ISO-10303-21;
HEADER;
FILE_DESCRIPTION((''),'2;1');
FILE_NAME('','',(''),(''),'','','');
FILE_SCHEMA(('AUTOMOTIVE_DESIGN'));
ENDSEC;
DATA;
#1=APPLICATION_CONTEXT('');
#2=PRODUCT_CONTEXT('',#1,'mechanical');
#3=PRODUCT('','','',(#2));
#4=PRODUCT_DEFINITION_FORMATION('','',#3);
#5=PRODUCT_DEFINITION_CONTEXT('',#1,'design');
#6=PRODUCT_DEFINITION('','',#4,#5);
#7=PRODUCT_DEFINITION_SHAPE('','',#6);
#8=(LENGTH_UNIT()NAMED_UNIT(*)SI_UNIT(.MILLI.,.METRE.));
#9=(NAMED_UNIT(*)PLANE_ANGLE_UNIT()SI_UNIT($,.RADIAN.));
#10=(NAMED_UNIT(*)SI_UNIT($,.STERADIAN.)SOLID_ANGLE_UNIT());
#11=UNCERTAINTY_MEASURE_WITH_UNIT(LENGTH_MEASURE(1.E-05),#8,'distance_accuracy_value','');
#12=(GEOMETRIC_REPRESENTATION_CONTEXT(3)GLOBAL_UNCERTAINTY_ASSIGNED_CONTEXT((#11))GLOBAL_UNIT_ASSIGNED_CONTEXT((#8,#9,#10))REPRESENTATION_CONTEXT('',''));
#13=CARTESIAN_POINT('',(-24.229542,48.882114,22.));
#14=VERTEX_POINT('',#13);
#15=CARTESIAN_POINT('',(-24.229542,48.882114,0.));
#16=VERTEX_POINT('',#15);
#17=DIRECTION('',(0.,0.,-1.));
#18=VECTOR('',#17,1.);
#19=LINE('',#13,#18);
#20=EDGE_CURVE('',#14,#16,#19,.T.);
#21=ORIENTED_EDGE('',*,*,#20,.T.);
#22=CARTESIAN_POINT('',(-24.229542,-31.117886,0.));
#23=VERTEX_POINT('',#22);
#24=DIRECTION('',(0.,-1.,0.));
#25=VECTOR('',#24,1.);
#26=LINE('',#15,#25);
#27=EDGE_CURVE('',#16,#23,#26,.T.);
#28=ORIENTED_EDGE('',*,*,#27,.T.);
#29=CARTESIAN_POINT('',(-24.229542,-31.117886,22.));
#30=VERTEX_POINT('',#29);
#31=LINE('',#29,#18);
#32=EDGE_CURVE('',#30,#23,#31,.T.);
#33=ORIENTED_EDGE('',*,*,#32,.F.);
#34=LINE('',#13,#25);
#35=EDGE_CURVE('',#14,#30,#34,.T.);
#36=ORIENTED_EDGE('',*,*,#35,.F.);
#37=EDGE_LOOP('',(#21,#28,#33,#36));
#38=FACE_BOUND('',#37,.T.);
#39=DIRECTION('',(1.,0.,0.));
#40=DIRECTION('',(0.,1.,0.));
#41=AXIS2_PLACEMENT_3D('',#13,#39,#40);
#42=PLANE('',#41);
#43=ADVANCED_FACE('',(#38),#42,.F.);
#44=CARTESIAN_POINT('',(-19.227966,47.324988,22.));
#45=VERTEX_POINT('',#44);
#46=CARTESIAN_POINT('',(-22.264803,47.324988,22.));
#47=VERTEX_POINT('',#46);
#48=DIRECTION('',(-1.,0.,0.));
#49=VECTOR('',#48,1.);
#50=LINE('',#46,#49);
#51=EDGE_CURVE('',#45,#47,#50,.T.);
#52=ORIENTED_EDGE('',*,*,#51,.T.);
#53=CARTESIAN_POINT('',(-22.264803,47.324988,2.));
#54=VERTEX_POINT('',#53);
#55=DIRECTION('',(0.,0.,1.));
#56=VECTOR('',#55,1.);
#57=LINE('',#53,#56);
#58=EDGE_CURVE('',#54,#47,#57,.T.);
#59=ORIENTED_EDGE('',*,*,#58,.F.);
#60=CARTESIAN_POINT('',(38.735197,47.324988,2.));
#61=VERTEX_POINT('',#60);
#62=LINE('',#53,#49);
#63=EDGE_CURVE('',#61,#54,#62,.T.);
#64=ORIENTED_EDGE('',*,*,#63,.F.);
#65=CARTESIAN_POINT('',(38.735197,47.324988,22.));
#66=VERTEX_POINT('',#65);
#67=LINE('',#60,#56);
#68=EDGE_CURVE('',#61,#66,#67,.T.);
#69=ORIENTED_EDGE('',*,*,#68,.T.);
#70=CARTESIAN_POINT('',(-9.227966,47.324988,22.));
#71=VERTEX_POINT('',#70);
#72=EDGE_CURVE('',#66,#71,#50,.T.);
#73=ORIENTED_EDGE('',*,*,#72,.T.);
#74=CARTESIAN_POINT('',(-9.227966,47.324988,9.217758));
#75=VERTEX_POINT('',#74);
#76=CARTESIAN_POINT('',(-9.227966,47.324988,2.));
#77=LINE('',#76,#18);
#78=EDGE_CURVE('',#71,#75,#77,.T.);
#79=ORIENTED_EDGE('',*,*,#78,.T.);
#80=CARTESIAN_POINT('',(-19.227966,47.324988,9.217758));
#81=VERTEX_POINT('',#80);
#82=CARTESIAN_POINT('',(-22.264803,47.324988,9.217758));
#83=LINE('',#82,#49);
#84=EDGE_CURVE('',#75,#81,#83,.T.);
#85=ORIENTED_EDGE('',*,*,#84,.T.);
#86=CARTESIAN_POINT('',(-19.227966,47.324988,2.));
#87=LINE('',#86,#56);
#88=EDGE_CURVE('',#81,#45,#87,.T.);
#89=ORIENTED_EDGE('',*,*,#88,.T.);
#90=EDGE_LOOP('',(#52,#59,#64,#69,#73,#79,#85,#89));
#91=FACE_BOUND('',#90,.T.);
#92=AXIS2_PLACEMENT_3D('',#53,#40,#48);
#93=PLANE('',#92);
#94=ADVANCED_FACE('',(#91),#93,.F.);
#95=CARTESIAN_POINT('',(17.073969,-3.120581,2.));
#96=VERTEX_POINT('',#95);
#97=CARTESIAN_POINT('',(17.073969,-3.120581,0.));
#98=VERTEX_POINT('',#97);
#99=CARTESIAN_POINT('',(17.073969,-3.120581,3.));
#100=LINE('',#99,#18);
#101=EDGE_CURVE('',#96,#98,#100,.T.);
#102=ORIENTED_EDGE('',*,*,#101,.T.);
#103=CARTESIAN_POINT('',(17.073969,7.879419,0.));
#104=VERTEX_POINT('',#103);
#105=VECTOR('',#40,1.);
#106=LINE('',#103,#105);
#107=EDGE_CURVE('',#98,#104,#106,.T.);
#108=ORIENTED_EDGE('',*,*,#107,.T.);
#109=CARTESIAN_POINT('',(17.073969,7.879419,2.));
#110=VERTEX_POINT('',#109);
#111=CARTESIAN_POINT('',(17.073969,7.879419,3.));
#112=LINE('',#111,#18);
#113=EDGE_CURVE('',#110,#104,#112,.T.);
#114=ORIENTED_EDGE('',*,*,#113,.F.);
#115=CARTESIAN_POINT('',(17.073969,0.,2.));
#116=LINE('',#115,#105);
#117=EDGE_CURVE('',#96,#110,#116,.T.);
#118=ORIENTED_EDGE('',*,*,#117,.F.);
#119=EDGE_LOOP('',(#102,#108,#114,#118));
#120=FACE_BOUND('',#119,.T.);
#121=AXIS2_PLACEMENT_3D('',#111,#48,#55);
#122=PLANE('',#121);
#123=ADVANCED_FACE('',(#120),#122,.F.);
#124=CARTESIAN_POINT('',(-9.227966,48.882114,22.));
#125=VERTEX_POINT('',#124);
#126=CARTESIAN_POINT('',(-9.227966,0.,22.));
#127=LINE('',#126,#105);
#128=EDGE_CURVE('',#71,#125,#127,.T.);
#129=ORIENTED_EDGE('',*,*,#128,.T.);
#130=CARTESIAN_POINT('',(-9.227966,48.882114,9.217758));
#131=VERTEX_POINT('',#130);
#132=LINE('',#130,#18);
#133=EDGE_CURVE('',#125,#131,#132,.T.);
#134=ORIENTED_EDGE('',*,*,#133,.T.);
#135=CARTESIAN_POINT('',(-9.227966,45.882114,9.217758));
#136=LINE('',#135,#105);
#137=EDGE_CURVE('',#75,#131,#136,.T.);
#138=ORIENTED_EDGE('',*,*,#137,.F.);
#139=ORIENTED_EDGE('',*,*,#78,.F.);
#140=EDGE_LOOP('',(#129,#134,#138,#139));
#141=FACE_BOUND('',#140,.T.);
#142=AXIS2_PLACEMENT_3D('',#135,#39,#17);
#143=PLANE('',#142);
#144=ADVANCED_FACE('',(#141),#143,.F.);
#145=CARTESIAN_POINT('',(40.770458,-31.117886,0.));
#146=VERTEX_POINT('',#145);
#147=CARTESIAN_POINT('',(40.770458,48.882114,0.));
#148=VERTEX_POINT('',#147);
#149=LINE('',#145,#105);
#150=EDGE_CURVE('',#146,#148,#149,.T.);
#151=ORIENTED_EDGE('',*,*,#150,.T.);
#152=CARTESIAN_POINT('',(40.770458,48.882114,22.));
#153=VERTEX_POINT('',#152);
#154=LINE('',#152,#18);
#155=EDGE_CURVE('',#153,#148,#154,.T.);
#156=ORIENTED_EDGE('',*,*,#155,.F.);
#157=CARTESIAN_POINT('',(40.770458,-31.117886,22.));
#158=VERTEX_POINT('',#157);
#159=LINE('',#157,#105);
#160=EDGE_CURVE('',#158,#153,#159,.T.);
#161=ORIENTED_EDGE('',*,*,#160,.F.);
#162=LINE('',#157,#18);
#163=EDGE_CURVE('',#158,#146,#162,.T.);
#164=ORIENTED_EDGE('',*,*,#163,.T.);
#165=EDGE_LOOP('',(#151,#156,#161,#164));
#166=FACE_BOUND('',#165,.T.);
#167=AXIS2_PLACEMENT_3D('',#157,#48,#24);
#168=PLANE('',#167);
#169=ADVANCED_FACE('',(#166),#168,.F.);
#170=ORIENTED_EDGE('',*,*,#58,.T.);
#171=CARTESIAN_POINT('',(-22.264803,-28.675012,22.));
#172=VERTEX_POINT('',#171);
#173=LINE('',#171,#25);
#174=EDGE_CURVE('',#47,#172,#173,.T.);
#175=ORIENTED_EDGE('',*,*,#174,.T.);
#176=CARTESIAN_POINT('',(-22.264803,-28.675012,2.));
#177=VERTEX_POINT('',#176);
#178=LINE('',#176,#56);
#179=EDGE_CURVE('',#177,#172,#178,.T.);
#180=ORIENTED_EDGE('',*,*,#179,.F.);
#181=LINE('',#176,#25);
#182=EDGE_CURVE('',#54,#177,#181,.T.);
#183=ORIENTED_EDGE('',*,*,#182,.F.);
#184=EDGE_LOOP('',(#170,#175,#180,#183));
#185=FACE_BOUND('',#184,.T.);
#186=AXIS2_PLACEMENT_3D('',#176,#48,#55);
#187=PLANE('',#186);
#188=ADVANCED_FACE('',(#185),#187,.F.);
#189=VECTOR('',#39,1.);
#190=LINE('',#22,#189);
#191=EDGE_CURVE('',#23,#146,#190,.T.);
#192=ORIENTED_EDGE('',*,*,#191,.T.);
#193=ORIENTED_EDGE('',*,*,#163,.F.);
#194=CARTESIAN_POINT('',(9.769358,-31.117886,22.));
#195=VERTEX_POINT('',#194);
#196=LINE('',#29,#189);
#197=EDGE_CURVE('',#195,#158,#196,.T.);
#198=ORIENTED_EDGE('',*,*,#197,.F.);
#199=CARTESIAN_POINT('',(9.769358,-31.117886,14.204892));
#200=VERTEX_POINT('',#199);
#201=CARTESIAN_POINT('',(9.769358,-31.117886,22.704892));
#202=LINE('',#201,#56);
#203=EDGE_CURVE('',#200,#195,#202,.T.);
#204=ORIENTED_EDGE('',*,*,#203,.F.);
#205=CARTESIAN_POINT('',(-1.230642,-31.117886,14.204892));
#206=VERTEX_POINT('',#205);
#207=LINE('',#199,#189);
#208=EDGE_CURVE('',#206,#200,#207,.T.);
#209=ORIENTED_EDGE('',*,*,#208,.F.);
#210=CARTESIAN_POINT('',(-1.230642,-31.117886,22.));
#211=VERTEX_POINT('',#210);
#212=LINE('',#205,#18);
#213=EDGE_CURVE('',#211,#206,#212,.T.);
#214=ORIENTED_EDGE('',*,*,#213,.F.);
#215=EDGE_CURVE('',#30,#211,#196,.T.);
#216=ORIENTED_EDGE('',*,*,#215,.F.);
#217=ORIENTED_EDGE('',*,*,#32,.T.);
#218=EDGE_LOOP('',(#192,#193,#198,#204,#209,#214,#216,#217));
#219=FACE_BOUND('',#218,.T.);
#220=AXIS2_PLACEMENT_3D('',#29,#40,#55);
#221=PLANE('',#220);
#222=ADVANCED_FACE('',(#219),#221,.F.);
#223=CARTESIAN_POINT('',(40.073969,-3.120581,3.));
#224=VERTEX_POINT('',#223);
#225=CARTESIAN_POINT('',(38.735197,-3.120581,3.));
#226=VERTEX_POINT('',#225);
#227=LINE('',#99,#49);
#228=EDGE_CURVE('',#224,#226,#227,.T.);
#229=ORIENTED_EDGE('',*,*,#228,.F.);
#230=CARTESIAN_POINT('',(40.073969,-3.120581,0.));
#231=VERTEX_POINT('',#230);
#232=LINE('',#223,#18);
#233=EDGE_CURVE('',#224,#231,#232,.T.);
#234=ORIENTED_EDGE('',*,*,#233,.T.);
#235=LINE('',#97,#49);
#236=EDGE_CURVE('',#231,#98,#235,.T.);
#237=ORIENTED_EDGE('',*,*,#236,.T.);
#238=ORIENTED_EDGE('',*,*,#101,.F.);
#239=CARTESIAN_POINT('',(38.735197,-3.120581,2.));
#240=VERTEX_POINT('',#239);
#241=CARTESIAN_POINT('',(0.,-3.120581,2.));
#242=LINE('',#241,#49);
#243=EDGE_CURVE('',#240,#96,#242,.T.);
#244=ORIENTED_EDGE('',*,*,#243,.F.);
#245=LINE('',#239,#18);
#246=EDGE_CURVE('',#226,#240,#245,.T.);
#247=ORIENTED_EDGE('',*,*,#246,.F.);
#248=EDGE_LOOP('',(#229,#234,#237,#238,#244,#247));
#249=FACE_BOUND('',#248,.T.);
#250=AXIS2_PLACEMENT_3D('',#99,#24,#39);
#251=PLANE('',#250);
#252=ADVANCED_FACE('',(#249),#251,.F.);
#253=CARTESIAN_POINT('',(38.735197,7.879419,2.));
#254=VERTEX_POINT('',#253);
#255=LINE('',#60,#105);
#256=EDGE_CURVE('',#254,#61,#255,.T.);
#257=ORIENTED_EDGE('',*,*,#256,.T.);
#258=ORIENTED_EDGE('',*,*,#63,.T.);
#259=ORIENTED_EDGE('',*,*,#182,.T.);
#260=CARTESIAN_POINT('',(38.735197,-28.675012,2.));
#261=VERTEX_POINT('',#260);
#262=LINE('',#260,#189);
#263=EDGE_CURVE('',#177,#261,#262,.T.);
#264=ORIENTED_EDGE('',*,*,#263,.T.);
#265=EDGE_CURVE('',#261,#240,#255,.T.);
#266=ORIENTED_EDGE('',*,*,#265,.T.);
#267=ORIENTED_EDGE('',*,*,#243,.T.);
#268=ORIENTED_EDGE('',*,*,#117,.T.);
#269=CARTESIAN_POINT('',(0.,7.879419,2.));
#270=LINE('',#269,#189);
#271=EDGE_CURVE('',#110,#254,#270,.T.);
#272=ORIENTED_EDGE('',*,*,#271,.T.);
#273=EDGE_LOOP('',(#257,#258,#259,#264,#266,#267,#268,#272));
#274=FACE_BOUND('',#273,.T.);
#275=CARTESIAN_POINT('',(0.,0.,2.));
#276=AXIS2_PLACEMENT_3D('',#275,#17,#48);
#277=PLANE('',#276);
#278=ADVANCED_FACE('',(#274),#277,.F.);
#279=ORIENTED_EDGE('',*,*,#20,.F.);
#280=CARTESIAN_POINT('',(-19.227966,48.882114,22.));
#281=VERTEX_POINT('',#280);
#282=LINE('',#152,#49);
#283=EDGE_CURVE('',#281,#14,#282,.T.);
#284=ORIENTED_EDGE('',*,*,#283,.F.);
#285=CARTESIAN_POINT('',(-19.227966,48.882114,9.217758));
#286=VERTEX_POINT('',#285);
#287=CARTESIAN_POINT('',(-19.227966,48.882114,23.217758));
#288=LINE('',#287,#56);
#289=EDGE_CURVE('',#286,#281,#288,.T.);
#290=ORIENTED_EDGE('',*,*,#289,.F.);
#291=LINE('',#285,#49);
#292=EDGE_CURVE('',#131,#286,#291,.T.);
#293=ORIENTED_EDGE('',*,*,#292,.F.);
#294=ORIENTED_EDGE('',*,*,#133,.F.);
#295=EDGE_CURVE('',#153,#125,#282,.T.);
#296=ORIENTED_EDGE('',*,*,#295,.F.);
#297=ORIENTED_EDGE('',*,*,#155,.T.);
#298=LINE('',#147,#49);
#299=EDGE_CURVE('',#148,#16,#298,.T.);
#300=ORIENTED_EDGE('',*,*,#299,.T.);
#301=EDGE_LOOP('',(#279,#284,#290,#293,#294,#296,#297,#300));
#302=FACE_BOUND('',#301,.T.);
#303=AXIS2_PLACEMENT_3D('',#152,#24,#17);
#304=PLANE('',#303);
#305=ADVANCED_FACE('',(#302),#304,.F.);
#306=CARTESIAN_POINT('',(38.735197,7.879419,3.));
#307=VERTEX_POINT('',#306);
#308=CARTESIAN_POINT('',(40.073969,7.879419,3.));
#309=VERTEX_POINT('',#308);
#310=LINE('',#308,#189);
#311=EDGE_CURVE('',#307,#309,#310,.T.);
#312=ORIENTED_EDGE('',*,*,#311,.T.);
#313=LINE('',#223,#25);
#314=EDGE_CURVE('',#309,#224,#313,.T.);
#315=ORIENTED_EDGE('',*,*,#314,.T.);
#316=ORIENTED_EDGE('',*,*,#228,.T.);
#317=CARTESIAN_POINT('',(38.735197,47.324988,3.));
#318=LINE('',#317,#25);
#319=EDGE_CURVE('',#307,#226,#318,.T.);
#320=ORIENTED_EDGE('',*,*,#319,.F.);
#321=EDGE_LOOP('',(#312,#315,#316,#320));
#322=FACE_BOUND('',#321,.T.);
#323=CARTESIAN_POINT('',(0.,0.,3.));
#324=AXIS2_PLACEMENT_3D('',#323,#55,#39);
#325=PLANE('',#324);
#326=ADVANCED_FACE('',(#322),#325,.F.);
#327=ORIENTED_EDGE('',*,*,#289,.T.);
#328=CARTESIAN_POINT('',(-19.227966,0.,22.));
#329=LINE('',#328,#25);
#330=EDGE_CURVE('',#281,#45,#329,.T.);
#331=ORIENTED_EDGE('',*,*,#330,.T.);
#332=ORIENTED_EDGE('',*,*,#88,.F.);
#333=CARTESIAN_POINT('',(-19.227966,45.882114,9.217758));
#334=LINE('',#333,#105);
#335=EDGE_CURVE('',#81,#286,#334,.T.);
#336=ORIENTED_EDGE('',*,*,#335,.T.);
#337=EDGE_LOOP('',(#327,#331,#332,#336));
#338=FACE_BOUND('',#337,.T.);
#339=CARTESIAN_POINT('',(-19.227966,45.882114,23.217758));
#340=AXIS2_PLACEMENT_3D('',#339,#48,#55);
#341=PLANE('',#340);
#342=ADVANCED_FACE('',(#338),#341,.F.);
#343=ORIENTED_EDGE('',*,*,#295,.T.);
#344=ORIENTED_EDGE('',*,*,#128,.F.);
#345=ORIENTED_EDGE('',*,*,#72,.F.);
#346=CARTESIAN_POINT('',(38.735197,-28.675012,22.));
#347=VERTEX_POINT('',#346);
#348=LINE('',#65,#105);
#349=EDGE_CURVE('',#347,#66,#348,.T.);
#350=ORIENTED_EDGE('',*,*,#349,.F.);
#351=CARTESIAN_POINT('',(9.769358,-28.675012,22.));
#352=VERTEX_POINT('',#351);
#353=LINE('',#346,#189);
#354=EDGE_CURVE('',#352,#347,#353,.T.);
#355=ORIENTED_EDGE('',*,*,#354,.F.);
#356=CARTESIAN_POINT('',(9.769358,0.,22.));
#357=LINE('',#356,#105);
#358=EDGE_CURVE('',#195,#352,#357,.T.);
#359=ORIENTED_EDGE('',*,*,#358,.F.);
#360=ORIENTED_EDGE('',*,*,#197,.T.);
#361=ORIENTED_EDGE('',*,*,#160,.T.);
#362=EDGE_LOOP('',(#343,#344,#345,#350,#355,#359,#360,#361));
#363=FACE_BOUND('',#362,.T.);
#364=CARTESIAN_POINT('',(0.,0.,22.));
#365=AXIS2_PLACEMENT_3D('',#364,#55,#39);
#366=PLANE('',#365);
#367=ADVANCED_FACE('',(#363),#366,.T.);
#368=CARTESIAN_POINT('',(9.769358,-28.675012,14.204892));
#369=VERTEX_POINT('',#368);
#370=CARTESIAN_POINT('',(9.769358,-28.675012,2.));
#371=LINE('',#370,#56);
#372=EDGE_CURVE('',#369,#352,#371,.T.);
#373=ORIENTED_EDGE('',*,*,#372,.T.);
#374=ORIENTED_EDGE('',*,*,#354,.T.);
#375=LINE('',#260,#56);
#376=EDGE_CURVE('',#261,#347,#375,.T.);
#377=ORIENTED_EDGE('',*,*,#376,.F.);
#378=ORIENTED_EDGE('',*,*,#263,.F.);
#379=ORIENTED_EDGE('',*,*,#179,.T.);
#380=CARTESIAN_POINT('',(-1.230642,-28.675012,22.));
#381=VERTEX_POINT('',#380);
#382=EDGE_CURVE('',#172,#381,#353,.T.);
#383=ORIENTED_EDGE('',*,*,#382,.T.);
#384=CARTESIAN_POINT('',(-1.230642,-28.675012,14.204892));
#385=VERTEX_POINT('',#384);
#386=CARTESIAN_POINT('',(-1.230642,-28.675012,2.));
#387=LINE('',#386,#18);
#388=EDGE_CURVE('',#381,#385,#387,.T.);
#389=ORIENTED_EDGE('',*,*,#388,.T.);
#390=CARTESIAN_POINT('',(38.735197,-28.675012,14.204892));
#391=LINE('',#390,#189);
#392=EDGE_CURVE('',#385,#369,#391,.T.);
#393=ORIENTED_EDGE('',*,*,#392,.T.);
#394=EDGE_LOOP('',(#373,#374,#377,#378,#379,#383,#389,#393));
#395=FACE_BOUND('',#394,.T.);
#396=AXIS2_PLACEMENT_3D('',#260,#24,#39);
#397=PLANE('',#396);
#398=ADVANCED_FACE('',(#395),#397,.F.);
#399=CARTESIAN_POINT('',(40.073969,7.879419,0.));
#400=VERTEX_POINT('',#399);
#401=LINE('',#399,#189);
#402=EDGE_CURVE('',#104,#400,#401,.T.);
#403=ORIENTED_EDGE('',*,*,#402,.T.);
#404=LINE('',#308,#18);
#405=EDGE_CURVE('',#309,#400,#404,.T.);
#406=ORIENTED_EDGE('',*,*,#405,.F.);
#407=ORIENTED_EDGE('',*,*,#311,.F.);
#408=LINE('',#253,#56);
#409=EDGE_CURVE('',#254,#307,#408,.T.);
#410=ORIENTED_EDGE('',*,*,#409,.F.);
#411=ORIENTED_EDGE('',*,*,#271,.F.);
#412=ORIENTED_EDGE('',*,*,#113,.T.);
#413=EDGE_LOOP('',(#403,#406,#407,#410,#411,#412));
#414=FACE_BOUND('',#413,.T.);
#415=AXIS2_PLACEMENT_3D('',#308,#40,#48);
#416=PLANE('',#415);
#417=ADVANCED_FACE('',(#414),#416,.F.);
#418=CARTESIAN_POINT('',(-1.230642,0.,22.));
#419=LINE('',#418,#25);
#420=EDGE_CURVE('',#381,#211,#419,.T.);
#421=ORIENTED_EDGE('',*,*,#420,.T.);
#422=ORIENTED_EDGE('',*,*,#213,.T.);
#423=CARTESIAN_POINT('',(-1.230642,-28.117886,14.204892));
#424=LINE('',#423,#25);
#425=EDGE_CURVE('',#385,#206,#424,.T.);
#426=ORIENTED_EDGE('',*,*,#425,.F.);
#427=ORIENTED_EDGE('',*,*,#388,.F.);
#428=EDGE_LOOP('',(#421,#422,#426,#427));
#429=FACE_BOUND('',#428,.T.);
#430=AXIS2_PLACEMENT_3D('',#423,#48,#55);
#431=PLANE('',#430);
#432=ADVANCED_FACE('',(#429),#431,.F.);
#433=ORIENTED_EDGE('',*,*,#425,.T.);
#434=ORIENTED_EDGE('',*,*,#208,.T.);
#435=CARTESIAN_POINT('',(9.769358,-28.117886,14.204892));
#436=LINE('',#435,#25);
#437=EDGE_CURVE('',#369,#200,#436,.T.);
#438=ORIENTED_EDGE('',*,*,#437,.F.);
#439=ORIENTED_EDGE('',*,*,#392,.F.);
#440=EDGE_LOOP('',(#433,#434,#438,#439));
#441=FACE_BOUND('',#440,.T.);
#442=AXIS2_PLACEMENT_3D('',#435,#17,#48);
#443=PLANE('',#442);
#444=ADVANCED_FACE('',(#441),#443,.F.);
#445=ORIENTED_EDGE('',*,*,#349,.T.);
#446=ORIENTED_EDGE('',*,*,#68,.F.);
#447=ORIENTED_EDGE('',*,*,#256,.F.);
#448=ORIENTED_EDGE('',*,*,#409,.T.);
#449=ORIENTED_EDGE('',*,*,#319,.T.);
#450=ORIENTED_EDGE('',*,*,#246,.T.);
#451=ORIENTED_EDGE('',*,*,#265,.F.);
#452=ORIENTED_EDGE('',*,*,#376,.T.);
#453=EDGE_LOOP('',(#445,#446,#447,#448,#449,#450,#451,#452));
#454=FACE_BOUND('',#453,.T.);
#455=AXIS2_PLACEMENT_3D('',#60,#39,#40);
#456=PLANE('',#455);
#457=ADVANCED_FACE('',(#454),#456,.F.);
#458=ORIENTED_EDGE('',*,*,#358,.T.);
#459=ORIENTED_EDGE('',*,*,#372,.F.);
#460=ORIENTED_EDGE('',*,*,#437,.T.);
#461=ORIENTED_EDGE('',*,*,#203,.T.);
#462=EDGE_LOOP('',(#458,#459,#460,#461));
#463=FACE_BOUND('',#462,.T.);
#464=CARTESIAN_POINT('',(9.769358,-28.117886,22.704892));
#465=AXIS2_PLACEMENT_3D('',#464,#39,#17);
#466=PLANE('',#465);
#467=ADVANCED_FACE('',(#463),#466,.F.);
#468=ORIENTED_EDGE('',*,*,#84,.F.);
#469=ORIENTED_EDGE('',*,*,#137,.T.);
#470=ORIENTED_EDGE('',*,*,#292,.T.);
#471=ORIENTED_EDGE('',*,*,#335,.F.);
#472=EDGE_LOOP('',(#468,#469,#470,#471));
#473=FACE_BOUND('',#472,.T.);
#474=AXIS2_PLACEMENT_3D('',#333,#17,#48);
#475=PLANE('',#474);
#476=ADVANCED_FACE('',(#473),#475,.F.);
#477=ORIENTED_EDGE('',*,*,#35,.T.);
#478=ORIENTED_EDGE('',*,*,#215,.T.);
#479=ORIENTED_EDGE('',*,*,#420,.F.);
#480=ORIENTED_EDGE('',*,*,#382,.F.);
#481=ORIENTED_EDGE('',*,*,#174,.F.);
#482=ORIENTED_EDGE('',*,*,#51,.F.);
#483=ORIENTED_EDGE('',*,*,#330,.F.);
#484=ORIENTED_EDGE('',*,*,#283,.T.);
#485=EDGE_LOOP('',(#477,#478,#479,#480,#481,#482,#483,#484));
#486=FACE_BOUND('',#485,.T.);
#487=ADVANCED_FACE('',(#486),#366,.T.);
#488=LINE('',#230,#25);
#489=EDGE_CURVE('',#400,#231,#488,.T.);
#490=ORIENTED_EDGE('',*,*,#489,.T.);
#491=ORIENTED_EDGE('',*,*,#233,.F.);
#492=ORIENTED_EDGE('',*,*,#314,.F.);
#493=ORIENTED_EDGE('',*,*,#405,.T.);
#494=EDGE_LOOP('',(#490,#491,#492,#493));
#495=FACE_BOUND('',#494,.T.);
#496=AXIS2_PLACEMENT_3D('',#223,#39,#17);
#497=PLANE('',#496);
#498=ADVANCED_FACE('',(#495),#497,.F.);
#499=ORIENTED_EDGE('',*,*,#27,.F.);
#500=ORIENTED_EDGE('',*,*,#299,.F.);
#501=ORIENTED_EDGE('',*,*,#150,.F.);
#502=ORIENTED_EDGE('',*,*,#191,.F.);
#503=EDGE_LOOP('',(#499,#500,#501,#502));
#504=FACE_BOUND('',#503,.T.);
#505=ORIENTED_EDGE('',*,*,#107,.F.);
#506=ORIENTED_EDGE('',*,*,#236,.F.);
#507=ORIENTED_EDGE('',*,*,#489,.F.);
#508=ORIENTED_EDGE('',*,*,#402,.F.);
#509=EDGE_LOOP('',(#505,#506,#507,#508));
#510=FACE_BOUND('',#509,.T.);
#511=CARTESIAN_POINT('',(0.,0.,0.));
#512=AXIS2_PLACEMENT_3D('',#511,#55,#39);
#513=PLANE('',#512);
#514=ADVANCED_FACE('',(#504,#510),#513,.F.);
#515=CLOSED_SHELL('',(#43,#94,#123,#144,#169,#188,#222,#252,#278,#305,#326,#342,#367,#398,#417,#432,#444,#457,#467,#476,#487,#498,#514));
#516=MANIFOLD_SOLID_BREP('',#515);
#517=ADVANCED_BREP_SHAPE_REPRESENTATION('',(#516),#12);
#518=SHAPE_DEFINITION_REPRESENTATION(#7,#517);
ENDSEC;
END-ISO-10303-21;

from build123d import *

# Parameters (mm, degrees)
SCHIZZO1_W                   = 65
SCHIZZO1_H                   = 80
ESTRUSIONE_ESTRUSIONE1_DEPTH = 22
SCHIZZO2_W                   = 61
SCHIZZO2_H                   = 76
TAGLIO_ESTRUSIONE1_DEPTH     = 20
SCHIZZO4_W                   = 11
SCHIZZO4_H                   = 8.5
TAGLIO_ESTRUSIONE2_DEPTH     = 3
SCHIZZO5_W                   = 23
SCHIZZO5_H                   = 11
TAGLIO_ESTRUSIONE3_DEPTH     = 3
SCHIZZO6_W                   = 10
SCHIZZO6_H                   = 14
TAGLIO_ESTRUSIONE4_DEPTH     = 3


with BuildPart() as part:
    # Schizzo1 → Estrusione-Estrusione1 (new body)
    with BuildSketch(Plane.XY):
        with Locations((8.270457538, 8.882113821)):
            Rectangle(SCHIZZO1_W, SCHIZZO1_H)
    extrude(amount=ESTRUSIONE_ESTRUSIONE1_DEPTH)

    # Schizzo2 → Taglio-Estrusione1 (cut)
    with BuildSketch(Plane.XY.offset(22)):
        with Locations((8.235197237, 9.324988178)):
            Rectangle(SCHIZZO2_W, SCHIZZO2_H)
    extrude(amount=-TAGLIO_ESTRUSIONE1_DEPTH, mode=Mode.SUBTRACT)

    # Schizzo4 → Taglio-Estrusione2 (cut)
    with BuildSketch(Plane.XZ.offset(31.117886179)):
        with Locations((4.269357769, 18.454892341)):
            Rectangle(SCHIZZO4_W, SCHIZZO4_H)
    extrude(amount=-TAGLIO_ESTRUSIONE2_DEPTH, mode=Mode.SUBTRACT)

    # Schizzo5 → Taglio-Estrusione3 (cut)
    with BuildSketch(Plane(origin=(0, 0, 0), x_dir=(-1, 0, 0), z_dir=(0, 0, -1))):
        with Locations((-28.573968875, 2.379418808)):
            Rectangle(SCHIZZO5_W, SCHIZZO5_H)
    extrude(amount=-TAGLIO_ESTRUSIONE3_DEPTH, mode=Mode.SUBTRACT)

    # Schizzo6 → Taglio-Estrusione4 (cut)
    with BuildSketch(Plane(origin=(0, 48.882113821, 0), x_dir=(1, 0, 0), z_dir=(0, 1, 0))):
        with Locations((-14.227965798, -16.217758031)):
            Rectangle(SCHIZZO6_W, SCHIZZO6_H)
    extrude(amount=-TAGLIO_ESTRUSIONE4_DEPTH, mode=Mode.SUBTRACT)


solid = part.part
